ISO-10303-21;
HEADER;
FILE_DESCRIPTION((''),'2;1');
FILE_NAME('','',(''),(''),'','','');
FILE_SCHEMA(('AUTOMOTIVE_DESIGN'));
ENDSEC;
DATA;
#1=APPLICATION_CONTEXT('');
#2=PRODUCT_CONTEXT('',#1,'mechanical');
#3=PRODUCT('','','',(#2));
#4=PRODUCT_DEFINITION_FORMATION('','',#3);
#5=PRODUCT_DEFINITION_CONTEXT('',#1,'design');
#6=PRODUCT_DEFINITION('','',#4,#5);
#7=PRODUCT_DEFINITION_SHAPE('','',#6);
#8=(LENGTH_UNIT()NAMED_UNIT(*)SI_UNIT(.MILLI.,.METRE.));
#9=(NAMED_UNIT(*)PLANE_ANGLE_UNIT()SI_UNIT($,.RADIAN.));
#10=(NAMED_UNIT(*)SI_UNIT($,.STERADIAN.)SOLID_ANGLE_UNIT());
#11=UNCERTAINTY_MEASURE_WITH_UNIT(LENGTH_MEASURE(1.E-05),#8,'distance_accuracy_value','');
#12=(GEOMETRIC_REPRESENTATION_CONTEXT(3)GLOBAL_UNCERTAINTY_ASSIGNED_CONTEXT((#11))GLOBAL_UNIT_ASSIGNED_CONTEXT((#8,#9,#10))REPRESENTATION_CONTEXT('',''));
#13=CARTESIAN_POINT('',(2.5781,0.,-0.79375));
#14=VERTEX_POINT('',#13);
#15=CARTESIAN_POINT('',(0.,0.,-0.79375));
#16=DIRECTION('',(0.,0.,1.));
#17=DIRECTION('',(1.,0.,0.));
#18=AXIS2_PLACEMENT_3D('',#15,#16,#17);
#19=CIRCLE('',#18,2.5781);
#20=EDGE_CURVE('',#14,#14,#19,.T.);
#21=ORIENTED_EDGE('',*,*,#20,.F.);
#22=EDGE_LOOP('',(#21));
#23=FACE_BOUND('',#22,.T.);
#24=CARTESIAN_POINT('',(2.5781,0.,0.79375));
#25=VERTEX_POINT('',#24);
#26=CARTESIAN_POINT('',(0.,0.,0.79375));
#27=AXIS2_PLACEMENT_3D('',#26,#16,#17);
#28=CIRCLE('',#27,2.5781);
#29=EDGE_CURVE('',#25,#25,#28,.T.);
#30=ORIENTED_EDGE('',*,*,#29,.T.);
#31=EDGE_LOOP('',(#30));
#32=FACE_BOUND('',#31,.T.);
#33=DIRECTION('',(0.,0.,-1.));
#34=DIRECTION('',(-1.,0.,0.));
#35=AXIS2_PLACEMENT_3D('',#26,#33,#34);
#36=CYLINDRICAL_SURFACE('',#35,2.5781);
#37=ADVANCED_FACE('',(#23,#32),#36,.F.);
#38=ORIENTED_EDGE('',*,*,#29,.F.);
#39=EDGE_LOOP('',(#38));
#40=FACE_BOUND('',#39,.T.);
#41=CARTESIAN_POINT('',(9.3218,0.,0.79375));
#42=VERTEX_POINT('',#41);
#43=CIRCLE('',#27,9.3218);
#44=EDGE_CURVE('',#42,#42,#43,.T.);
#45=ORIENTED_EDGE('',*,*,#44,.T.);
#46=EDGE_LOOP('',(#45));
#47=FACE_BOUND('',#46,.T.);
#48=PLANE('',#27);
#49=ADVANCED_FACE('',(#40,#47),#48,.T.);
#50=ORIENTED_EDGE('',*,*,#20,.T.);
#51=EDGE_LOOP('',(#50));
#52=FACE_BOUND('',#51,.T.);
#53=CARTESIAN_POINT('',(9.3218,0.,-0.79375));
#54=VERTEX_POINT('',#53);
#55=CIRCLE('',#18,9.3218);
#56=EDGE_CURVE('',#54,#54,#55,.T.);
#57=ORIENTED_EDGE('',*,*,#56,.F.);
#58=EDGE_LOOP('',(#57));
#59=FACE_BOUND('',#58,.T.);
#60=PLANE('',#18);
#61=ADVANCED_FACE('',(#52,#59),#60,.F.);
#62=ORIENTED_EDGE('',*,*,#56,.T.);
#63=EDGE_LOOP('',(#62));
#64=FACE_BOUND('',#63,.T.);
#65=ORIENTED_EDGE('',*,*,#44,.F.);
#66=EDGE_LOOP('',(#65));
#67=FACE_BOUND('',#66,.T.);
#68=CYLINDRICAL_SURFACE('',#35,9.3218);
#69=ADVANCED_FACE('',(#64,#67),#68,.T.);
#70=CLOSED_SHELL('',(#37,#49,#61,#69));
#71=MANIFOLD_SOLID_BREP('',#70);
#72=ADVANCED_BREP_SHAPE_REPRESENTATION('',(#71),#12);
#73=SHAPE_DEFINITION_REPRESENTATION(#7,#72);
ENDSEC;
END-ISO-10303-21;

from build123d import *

# Parameters (mm, degrees)
SKETCH3_R           = 9.3218
SKETCH3_R_2         = 2.5781
BOSS_EXTRUDE1_DEPTH = 0.79375


with BuildPart() as part:
    # Sketch3 → Boss-Extrude1 (new body, symmetric)
    with BuildSketch(Plane.XY):
        Circle(SKETCH3_R)
        Circle(SKETCH3_R_2, mode=Mode.SUBTRACT)
    extrude(amount=BOSS_EXTRUDE1_DEPTH, both=True)


solid = part.part
